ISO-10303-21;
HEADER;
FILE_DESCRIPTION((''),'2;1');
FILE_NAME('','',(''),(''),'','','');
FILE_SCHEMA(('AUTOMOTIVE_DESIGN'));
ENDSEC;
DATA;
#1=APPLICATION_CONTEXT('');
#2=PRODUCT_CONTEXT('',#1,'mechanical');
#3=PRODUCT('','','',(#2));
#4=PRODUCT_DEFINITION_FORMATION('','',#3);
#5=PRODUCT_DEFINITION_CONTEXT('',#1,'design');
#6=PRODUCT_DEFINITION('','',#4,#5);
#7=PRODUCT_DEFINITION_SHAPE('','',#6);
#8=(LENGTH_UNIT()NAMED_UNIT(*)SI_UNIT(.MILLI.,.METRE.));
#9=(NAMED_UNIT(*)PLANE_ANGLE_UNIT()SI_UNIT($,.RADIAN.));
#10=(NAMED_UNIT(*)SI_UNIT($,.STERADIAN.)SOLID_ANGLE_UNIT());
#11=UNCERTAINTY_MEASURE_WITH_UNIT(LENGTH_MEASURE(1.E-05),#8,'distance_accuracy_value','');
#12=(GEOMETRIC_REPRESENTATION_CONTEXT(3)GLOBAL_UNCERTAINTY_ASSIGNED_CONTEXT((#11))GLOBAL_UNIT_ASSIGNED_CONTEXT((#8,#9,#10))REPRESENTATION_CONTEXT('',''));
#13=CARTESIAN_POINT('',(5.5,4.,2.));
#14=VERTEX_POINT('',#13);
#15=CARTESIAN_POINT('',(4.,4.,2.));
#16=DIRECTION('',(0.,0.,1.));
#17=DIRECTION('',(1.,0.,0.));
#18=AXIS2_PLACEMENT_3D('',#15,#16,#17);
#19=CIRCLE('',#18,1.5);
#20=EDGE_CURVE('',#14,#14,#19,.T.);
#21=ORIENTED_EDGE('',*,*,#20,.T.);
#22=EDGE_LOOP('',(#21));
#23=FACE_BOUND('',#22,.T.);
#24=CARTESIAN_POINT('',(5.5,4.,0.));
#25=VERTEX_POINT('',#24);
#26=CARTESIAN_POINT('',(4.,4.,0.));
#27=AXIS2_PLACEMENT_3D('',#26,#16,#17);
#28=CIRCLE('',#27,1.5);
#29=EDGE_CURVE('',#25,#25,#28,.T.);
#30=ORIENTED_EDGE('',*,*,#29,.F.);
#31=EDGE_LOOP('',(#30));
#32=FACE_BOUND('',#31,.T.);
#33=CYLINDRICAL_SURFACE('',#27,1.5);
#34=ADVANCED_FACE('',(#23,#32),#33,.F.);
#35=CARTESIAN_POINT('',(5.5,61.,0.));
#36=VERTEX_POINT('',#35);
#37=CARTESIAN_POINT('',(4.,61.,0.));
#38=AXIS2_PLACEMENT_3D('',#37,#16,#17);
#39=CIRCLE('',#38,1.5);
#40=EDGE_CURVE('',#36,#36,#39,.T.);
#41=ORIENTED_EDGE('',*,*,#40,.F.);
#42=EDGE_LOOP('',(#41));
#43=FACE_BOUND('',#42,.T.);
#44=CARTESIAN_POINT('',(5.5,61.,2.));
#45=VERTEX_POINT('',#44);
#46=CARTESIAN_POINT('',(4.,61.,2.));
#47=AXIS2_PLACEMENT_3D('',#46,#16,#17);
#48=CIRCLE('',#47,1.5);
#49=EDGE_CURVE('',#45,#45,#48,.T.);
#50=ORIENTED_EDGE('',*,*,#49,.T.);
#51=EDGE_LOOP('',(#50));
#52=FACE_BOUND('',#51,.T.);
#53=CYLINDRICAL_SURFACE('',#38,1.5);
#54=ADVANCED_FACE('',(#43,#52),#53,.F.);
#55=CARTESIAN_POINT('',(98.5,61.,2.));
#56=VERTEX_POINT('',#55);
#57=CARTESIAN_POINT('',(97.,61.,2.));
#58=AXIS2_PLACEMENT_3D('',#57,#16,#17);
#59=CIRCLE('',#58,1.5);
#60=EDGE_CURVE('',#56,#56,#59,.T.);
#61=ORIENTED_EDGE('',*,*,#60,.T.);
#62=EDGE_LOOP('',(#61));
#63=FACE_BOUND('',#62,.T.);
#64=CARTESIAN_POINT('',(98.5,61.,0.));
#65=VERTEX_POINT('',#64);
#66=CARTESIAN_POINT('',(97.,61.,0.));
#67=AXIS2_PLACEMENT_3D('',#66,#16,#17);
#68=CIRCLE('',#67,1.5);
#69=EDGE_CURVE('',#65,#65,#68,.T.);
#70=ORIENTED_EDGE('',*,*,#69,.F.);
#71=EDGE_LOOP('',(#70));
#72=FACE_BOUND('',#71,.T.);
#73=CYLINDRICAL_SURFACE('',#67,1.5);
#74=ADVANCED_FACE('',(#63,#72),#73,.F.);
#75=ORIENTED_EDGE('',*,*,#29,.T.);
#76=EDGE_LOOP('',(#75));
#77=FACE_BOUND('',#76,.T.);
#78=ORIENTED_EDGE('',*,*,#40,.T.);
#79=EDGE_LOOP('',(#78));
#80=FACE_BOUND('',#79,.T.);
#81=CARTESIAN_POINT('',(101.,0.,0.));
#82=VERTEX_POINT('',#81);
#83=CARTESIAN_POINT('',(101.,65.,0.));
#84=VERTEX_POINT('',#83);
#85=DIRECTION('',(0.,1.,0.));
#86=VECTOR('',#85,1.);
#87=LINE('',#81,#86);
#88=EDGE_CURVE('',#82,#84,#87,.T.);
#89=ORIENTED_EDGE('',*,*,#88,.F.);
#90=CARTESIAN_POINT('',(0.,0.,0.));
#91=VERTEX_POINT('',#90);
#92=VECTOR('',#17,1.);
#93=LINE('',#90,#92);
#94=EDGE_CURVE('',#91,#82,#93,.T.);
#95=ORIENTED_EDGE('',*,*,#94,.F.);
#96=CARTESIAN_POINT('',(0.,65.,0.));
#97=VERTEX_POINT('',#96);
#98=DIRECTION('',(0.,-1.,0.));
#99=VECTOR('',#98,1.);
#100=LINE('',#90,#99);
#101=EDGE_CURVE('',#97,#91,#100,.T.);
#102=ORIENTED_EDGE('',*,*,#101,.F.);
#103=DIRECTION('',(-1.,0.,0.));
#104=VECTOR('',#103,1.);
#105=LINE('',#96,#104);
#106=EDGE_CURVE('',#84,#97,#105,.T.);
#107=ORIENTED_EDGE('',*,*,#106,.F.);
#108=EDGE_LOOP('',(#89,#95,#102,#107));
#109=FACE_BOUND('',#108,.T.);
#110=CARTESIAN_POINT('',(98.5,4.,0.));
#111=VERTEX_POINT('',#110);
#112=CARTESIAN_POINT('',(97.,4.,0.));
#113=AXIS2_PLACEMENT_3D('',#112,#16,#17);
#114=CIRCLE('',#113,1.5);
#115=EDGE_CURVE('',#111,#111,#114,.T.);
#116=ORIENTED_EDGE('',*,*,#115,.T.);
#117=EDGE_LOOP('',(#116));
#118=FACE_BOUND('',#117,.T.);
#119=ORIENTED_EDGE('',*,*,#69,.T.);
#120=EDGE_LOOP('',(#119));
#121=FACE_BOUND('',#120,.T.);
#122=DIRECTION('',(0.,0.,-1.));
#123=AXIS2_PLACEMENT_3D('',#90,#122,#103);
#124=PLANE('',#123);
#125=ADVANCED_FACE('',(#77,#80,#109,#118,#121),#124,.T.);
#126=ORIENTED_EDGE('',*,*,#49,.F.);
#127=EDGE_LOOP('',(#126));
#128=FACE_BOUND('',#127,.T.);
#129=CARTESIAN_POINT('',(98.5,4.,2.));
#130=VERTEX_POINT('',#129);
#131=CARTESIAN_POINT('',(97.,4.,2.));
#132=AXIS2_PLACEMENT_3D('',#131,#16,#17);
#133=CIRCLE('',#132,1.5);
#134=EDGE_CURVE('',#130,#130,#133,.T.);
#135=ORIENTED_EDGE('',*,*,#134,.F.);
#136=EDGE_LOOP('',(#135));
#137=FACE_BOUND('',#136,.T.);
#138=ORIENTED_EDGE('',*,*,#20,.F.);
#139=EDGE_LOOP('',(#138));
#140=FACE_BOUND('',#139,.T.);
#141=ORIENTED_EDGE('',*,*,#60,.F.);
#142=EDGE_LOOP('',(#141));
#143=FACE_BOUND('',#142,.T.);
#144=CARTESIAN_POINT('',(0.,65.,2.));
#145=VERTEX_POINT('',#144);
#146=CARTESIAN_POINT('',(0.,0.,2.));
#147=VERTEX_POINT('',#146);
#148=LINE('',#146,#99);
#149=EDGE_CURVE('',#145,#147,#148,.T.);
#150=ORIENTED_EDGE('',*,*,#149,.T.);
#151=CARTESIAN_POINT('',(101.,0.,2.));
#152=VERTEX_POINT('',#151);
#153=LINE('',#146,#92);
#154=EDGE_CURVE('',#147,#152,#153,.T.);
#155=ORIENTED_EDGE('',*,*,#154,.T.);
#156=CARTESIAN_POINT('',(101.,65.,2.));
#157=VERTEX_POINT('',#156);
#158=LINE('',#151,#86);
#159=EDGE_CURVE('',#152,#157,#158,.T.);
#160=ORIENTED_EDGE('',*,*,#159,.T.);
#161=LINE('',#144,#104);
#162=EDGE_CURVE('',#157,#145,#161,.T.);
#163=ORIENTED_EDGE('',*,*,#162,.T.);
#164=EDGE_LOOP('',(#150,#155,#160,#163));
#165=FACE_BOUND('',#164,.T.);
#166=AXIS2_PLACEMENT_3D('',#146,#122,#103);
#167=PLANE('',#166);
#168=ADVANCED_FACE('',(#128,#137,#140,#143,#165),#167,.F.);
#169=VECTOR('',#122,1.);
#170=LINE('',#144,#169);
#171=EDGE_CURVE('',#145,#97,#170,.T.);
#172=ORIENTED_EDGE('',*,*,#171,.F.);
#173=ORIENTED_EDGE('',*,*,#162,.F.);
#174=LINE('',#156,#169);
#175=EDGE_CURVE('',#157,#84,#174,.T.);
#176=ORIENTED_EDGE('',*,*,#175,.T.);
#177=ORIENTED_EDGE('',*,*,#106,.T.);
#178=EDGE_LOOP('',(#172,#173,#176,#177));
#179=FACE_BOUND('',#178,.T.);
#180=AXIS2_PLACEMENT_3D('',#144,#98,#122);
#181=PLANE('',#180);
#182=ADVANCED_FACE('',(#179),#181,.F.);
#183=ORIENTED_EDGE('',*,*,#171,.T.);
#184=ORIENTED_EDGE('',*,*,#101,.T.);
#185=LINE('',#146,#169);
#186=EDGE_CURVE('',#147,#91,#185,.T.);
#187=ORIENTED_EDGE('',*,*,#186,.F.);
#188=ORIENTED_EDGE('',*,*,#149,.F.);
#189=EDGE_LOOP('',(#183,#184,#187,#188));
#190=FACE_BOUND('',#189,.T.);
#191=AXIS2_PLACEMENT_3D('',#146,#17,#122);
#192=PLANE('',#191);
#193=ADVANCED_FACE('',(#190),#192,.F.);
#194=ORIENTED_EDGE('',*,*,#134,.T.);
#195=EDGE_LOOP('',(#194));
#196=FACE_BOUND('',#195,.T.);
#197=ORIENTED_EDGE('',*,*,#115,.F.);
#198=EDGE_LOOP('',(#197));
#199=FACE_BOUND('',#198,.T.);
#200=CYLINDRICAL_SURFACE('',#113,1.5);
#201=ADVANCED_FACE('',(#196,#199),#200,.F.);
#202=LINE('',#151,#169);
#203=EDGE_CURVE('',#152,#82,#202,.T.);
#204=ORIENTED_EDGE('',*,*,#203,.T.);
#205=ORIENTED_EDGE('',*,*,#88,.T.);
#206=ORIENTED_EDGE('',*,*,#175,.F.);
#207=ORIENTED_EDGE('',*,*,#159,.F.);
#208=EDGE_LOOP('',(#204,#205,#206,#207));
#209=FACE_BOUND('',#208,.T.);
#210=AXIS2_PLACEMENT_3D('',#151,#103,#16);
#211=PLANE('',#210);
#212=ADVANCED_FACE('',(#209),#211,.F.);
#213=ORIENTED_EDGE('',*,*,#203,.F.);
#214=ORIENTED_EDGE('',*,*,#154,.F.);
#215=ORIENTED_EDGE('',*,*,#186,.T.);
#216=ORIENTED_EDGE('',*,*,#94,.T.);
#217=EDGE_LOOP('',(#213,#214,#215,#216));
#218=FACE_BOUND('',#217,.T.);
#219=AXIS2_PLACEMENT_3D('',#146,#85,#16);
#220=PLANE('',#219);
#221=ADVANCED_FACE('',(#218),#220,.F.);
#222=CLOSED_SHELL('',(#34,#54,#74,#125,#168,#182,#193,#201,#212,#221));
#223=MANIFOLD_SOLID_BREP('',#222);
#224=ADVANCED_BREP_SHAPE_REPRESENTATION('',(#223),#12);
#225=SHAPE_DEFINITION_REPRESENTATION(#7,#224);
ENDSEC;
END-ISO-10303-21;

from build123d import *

# Parameters (mm, degrees)
IZIM1_W                     = 101
IZIM1_H                     = 65
Y_KSEKLIK_EKSTR_ZYON1_DEPTH = 2
SKETCH1_R                   = 1.5
CUT_EXTRUDE1_DEPTH          = 121.124934964


with BuildPart() as part:
    # Çizim1 → Yükseklik-Ekstrüzyon1 (new body)
    with BuildSketch(Plane.XY):
        with Locations((50.5, 32.5)):
            Rectangle(IZIM1_W, IZIM1_H)
    extrude(amount=Y_KSEKLIK_EKSTR_ZYON1_DEPTH)

    # Sketch1 → Cut-Extrude1 (cut, through all)
    with BuildSketch(Plane.XY.offset(2)):
        with Locations((4, 61)):
            Circle(SKETCH1_R)
        with Locations((97, 61)):
            Circle(SKETCH1_R)
        with Locations((97, 4)):
            Circle(SKETCH1_R)
        with Locations((4, 4)):
            Circle(SKETCH1_R)
    extrude(amount=-CUT_EXTRUDE1_DEPTH, mode=Mode.SUBTRACT)


solid = part.part
